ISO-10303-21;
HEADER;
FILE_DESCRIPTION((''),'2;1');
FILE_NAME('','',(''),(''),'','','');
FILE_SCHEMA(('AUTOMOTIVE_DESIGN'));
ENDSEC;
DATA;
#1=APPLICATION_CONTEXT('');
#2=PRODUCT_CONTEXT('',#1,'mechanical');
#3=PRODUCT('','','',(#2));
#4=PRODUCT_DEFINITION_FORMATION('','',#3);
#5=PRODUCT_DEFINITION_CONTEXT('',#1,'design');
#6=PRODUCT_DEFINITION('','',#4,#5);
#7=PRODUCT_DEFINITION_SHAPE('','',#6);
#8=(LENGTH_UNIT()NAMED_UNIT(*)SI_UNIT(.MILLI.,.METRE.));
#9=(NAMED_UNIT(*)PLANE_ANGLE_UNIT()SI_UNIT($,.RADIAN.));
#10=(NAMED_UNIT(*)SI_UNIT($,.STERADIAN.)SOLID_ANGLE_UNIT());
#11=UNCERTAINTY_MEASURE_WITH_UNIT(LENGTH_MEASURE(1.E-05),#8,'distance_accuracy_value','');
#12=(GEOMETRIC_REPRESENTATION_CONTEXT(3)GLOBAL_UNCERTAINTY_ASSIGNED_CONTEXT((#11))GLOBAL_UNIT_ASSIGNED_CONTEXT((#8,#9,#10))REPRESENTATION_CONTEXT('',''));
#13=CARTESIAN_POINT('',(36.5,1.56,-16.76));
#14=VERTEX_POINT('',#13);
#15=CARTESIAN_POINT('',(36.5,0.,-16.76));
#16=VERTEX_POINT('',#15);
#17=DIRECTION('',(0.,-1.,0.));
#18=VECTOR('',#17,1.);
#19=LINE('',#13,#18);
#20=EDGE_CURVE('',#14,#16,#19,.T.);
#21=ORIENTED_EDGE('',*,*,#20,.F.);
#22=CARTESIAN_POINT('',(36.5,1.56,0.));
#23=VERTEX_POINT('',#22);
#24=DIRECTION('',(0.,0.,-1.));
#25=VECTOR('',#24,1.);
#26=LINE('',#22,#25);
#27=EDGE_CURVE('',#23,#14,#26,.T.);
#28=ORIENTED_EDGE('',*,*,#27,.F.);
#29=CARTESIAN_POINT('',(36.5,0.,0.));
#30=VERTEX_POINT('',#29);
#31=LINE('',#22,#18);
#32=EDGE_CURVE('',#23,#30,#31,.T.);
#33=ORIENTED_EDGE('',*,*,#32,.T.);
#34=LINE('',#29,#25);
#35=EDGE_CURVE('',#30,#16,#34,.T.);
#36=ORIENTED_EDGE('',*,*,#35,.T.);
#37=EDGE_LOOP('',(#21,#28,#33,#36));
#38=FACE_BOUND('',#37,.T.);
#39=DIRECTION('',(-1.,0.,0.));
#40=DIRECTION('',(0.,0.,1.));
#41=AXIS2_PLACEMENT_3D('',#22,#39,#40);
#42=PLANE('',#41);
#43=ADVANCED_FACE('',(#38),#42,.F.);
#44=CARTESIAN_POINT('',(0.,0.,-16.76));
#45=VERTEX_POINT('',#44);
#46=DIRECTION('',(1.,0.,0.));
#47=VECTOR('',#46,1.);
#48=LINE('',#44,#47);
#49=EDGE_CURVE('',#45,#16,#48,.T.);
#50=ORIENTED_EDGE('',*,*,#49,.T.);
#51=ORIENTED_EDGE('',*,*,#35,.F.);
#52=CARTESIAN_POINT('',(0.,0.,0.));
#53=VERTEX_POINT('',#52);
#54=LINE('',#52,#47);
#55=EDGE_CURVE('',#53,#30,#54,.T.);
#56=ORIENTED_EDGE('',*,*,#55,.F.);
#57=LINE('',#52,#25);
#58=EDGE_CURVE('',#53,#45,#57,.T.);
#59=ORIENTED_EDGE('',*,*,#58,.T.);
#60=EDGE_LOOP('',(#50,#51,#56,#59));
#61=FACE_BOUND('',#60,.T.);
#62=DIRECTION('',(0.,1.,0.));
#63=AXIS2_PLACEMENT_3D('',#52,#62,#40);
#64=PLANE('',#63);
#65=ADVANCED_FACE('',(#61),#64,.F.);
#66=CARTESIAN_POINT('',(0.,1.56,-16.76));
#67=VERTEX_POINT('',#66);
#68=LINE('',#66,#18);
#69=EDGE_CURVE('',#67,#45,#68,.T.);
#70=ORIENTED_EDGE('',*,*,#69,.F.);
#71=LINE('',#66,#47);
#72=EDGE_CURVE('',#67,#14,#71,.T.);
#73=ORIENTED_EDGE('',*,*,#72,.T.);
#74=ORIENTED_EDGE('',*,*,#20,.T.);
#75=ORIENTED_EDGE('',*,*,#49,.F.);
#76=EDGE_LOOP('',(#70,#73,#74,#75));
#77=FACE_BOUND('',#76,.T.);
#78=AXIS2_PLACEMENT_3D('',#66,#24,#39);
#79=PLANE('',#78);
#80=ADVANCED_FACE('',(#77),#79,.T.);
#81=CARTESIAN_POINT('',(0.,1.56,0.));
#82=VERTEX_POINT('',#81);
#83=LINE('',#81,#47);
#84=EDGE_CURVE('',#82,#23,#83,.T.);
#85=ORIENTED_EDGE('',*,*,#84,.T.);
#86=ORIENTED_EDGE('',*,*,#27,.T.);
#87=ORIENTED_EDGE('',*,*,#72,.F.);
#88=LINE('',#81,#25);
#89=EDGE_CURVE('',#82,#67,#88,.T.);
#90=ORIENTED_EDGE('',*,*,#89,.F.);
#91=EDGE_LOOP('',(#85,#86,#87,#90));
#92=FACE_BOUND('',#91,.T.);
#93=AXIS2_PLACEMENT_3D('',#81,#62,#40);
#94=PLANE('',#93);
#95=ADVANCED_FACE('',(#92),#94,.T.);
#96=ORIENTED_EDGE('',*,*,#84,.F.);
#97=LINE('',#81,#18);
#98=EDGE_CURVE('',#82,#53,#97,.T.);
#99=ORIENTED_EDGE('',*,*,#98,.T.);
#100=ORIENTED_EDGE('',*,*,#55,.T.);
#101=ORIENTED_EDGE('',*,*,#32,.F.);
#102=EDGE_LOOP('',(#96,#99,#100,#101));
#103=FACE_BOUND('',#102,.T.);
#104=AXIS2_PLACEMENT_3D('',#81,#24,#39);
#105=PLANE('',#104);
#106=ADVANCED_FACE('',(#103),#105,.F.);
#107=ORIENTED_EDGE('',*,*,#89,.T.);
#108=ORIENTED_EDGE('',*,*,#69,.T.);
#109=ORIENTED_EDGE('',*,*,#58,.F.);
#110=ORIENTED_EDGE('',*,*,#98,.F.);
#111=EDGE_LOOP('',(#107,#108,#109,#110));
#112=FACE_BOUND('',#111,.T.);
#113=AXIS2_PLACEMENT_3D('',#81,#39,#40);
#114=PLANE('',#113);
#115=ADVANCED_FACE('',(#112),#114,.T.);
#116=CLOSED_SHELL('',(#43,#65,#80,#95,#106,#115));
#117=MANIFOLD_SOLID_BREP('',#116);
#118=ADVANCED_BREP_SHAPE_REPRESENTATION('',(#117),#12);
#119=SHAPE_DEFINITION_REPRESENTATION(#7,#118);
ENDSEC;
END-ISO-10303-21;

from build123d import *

# Parameters (mm, degrees)
SKETCH1_W           = 36.5
SKETCH1_H           = 16.76
BOSS_EXTRUDE1_DEPTH = 1.56


with BuildPart() as part:
    # Sketch1 → Boss-Extrude1 (new body)
    with BuildSketch(Plane(origin=(0, 0, 0), x_dir=(1, 0, 0), z_dir=(0, 1, 0))):
        with Locations((18.25, 8.38)):
            Rectangle(SKETCH1_W, SKETCH1_H)
    extrude(amount=BOSS_EXTRUDE1_DEPTH)


solid = part.part
